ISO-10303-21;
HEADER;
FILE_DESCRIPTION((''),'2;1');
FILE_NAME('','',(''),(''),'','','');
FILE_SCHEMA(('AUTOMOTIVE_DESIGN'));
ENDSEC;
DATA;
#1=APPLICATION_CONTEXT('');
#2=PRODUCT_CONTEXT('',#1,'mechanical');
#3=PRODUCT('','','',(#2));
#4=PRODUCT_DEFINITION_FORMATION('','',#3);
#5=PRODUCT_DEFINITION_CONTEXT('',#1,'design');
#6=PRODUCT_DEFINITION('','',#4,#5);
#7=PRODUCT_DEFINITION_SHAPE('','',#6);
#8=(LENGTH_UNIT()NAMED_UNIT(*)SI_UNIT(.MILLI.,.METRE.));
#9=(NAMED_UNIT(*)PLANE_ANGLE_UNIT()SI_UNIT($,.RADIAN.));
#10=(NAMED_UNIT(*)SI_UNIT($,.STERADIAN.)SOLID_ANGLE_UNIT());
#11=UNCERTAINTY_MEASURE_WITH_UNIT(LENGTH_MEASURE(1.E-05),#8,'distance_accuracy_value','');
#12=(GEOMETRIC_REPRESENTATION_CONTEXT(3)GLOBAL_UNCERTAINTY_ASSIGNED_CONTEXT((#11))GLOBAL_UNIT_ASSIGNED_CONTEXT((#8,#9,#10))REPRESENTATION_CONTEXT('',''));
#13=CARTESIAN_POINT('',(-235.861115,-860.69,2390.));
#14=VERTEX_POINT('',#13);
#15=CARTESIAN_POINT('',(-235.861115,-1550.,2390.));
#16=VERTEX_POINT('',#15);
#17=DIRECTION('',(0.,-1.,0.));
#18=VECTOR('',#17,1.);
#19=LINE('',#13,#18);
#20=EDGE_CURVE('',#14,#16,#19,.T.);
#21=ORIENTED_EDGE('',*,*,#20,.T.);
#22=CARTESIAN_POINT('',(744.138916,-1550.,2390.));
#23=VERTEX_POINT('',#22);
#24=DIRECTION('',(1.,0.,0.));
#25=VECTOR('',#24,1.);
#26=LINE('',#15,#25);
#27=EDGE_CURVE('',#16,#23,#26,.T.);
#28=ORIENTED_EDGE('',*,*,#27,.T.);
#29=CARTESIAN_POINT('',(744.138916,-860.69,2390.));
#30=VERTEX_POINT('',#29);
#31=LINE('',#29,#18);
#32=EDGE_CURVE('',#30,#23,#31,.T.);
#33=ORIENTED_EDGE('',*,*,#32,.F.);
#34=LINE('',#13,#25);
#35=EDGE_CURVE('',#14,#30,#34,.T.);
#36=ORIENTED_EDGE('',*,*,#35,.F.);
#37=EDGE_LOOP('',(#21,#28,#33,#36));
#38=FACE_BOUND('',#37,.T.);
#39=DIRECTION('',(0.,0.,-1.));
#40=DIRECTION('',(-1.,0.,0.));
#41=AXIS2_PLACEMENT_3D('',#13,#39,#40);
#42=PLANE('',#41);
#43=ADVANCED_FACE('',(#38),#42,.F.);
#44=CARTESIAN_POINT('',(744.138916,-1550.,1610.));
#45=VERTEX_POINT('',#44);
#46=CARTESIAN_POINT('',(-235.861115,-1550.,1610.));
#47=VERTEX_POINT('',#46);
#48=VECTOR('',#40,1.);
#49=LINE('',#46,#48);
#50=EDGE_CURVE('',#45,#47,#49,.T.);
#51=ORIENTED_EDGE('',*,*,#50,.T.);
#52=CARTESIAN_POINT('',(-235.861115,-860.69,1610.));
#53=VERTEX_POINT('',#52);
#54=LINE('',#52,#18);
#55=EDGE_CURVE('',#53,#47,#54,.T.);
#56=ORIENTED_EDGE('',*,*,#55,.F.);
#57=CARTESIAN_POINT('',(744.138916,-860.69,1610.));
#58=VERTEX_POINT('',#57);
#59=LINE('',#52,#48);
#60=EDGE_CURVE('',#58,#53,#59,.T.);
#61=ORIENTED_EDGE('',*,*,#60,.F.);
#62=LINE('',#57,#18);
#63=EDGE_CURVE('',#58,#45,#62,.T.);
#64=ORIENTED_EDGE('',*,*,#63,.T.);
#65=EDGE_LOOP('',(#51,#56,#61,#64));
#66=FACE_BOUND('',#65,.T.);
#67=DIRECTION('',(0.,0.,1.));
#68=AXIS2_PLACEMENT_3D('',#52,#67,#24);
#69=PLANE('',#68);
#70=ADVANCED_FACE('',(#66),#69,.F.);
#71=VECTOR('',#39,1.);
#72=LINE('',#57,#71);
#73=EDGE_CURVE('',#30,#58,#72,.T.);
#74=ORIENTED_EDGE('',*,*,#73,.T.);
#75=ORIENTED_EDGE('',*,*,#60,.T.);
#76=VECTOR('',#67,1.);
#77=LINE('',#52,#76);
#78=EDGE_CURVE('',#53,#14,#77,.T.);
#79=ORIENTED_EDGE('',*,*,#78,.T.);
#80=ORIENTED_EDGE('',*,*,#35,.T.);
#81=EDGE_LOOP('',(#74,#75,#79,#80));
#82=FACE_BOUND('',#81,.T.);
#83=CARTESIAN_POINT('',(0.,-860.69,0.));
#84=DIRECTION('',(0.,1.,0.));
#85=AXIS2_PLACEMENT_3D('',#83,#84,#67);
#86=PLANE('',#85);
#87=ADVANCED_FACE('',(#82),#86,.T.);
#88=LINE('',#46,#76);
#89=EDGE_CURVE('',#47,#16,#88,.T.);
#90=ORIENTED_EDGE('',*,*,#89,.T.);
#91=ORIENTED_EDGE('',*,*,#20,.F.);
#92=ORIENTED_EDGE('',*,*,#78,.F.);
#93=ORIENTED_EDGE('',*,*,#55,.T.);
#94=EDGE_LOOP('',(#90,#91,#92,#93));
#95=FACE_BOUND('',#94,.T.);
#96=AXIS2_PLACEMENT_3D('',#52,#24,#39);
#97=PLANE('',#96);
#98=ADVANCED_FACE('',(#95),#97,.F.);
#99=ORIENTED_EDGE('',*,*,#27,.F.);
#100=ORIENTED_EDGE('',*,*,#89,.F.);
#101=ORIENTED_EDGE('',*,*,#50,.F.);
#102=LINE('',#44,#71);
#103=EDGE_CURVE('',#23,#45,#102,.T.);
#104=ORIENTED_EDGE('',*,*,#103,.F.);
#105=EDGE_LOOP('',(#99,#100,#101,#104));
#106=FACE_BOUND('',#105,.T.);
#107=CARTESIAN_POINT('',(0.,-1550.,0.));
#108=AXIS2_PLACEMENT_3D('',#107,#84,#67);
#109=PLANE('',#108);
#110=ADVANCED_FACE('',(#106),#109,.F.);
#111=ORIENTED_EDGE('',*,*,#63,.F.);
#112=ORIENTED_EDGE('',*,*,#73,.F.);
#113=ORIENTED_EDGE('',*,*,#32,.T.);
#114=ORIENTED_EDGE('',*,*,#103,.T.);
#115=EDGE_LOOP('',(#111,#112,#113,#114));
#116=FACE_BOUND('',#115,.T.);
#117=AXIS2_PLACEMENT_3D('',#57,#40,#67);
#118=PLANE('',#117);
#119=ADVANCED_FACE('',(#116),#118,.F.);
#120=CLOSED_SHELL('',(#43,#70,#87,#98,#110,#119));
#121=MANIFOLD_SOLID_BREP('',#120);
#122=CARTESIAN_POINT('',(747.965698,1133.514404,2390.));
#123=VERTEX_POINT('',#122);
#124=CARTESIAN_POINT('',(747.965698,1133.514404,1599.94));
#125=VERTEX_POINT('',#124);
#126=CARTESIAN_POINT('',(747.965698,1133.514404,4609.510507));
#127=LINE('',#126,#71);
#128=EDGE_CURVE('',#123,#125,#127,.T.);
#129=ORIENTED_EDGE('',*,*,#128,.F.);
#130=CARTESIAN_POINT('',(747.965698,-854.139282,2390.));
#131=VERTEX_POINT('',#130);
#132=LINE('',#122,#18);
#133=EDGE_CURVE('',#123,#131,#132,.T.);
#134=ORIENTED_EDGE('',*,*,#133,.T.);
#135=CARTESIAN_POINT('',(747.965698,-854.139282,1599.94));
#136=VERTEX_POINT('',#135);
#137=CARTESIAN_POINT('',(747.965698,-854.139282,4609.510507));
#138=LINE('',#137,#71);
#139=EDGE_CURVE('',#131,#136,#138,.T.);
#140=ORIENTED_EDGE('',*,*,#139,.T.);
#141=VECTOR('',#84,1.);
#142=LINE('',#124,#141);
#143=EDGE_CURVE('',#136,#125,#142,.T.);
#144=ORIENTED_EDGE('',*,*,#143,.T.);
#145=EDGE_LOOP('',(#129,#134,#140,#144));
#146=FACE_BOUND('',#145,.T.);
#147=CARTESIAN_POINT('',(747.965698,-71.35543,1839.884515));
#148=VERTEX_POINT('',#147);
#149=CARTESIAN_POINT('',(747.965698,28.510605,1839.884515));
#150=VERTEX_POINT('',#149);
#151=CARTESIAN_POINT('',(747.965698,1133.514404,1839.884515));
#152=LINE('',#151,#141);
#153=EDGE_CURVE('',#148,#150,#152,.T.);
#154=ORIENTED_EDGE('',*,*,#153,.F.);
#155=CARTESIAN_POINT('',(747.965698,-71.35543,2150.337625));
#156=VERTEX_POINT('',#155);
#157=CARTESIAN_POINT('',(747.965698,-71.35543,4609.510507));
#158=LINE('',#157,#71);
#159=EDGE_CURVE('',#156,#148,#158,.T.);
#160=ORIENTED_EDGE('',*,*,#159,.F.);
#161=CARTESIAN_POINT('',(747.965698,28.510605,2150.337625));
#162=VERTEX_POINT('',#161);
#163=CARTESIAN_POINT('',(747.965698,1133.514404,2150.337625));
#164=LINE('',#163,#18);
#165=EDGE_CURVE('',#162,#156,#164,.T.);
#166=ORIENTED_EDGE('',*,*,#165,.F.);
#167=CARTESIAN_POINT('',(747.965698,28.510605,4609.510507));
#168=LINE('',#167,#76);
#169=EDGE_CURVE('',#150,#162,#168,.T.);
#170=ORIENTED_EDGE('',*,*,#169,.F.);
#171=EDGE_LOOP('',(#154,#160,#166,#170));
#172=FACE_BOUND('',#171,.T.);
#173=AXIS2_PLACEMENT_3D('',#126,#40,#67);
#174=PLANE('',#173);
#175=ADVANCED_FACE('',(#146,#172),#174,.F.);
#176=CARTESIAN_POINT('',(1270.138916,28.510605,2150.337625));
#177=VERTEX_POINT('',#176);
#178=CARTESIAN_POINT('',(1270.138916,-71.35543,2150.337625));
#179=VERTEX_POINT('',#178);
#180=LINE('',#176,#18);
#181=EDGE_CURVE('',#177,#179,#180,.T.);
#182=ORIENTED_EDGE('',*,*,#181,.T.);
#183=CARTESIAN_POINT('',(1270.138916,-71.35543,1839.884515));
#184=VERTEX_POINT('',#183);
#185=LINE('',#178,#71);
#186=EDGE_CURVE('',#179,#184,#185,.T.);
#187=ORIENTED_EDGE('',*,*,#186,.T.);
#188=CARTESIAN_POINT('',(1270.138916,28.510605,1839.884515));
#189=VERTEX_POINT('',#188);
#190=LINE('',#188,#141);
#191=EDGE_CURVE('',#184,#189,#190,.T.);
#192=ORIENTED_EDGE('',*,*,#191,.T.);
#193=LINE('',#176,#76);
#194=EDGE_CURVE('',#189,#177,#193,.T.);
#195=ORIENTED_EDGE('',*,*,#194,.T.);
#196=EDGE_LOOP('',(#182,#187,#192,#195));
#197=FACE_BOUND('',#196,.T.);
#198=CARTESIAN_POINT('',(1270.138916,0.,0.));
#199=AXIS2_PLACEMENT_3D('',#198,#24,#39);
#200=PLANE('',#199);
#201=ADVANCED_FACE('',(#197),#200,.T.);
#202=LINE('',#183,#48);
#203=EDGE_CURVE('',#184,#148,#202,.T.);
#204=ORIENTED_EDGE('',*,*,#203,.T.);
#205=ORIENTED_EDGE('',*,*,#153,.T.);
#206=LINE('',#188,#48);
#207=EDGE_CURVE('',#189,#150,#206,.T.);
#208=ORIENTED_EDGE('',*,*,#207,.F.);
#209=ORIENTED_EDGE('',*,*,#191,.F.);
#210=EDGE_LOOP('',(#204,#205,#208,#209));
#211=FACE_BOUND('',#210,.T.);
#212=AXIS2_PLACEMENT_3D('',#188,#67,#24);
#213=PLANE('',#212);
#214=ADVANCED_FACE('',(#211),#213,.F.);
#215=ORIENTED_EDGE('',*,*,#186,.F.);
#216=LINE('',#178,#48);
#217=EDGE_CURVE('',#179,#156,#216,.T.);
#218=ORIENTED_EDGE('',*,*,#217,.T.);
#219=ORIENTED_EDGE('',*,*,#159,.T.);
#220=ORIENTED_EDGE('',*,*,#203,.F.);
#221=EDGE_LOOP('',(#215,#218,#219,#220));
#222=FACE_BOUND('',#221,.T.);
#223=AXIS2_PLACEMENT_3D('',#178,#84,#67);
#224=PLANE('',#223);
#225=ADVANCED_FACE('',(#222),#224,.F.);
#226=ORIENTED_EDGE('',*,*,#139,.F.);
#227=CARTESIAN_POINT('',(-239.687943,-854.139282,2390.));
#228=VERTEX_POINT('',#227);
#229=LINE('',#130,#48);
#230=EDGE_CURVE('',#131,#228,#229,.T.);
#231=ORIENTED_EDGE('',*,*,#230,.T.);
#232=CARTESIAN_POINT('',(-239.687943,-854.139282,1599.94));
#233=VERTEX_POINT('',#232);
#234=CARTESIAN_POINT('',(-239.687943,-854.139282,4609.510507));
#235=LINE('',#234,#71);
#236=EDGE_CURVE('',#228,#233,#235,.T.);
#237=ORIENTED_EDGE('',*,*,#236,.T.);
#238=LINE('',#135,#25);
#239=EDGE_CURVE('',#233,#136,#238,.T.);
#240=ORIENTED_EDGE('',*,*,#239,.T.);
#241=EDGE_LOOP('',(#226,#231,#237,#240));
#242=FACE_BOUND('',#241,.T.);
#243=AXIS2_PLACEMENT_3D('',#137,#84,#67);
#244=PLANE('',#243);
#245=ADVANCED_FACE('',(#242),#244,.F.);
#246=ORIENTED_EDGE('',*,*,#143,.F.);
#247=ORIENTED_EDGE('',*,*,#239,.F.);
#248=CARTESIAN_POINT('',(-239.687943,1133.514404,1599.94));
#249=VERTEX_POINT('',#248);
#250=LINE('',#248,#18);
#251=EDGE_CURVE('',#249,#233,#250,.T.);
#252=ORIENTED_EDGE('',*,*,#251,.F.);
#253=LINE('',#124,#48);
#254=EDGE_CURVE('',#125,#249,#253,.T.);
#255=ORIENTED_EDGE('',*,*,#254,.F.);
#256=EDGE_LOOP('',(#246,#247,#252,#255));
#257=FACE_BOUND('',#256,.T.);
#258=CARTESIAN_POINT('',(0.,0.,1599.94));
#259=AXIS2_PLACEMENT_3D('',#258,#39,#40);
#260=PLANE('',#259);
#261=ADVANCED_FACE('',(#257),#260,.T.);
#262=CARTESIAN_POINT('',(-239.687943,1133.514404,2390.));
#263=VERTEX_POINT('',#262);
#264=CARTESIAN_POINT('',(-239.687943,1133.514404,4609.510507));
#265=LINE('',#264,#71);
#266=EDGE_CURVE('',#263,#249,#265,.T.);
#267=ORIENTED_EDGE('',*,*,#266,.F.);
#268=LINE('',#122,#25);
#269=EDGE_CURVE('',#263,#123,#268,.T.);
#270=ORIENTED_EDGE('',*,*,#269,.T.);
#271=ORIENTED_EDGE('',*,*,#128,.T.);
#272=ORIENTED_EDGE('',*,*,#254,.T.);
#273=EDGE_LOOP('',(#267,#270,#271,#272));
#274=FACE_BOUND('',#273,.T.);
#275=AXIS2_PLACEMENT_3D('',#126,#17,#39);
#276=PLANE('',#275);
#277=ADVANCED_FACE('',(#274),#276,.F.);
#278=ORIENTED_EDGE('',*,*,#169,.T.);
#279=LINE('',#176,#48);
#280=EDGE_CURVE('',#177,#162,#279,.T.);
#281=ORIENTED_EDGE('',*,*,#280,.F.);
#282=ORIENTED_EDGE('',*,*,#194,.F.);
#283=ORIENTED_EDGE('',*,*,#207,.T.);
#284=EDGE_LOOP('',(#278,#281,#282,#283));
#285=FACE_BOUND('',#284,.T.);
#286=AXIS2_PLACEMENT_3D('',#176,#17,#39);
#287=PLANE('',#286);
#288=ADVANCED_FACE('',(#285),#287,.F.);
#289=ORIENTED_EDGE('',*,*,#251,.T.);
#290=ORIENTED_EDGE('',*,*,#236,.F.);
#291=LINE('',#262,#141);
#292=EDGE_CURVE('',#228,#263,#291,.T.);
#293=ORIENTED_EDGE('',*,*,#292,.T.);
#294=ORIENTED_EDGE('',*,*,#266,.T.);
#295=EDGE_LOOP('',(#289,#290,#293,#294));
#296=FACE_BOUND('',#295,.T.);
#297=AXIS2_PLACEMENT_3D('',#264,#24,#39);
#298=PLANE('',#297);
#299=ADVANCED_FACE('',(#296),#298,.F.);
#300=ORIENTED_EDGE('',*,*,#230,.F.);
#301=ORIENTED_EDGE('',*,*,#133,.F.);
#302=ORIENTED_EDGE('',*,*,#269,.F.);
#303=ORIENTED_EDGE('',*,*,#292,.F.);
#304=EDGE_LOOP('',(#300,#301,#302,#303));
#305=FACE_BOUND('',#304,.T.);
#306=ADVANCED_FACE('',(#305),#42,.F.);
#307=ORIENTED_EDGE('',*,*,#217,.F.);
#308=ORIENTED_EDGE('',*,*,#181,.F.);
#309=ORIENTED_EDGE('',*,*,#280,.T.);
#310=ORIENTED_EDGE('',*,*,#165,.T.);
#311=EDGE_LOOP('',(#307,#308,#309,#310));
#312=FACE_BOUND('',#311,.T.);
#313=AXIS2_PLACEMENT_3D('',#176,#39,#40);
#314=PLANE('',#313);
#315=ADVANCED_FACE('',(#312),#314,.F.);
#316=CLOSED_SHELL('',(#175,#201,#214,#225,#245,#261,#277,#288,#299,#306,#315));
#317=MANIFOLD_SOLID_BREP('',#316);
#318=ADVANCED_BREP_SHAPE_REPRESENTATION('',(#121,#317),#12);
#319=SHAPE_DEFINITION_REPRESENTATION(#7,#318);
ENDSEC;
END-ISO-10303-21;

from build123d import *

# Parameters (mm, degrees)
SCHIZZO3_W                   = 980.000030518
SCHIZZO3_H                   = 780
ESTRUSIONE_ESTRUSIONE1_DEPTH = 689.31
SCHIZZO1_W                   = 987.653640747
SCHIZZO1_H                   = 1987.653686524
ESTRUSIONE_ESTRUSIONE2_DEPTH = 790.06
SCHIZZO4_W                   = 310.453109737
SCHIZZO4_H                   = 99.8660353
ESTRUSIONE_ESTRUSIONE3_DEPTH = 526


with BuildPart() as part:
    # Schizzo3 → Estrusione-Estrusione1 (new body)
    with BuildSketch(Plane(origin=(0, -1550, 0), x_dir=(1, 0, 0), z_dir=(0, 1, 0))):
        with Locations((254.138900757, -2000)):
            Rectangle(SCHIZZO3_W, SCHIZZO3_H)
    extrude(amount=ESTRUSIONE_ESTRUSIONE1_DEPTH)


with BuildPart() as body_2:
    # Schizzo1 → Estrusione-Estrusione2 (new body)
    with BuildSketch(Plane.XY.offset(1599.94)):
        with Locations((254.138877869, 139.687561035)):
            Rectangle(SCHIZZO1_W, SCHIZZO1_H)
    extrude(amount=ESTRUSIONE_ESTRUSIONE2_DEPTH)

    # Schizzo4 → Estrusione-Estrusione3 (add)
    with BuildSketch(Plane(origin=(744.138916016, 0, 0), x_dir=(0, 0, -1), z_dir=(1, 0, 0))):
        with Locations((-1995.111069738, -21.422412686)):
            Rectangle(SCHIZZO4_W, SCHIZZO4_H)
    extrude(amount=ESTRUSIONE_ESTRUSIONE3_DEPTH)


solid = Compound([part.part, body_2.part])
